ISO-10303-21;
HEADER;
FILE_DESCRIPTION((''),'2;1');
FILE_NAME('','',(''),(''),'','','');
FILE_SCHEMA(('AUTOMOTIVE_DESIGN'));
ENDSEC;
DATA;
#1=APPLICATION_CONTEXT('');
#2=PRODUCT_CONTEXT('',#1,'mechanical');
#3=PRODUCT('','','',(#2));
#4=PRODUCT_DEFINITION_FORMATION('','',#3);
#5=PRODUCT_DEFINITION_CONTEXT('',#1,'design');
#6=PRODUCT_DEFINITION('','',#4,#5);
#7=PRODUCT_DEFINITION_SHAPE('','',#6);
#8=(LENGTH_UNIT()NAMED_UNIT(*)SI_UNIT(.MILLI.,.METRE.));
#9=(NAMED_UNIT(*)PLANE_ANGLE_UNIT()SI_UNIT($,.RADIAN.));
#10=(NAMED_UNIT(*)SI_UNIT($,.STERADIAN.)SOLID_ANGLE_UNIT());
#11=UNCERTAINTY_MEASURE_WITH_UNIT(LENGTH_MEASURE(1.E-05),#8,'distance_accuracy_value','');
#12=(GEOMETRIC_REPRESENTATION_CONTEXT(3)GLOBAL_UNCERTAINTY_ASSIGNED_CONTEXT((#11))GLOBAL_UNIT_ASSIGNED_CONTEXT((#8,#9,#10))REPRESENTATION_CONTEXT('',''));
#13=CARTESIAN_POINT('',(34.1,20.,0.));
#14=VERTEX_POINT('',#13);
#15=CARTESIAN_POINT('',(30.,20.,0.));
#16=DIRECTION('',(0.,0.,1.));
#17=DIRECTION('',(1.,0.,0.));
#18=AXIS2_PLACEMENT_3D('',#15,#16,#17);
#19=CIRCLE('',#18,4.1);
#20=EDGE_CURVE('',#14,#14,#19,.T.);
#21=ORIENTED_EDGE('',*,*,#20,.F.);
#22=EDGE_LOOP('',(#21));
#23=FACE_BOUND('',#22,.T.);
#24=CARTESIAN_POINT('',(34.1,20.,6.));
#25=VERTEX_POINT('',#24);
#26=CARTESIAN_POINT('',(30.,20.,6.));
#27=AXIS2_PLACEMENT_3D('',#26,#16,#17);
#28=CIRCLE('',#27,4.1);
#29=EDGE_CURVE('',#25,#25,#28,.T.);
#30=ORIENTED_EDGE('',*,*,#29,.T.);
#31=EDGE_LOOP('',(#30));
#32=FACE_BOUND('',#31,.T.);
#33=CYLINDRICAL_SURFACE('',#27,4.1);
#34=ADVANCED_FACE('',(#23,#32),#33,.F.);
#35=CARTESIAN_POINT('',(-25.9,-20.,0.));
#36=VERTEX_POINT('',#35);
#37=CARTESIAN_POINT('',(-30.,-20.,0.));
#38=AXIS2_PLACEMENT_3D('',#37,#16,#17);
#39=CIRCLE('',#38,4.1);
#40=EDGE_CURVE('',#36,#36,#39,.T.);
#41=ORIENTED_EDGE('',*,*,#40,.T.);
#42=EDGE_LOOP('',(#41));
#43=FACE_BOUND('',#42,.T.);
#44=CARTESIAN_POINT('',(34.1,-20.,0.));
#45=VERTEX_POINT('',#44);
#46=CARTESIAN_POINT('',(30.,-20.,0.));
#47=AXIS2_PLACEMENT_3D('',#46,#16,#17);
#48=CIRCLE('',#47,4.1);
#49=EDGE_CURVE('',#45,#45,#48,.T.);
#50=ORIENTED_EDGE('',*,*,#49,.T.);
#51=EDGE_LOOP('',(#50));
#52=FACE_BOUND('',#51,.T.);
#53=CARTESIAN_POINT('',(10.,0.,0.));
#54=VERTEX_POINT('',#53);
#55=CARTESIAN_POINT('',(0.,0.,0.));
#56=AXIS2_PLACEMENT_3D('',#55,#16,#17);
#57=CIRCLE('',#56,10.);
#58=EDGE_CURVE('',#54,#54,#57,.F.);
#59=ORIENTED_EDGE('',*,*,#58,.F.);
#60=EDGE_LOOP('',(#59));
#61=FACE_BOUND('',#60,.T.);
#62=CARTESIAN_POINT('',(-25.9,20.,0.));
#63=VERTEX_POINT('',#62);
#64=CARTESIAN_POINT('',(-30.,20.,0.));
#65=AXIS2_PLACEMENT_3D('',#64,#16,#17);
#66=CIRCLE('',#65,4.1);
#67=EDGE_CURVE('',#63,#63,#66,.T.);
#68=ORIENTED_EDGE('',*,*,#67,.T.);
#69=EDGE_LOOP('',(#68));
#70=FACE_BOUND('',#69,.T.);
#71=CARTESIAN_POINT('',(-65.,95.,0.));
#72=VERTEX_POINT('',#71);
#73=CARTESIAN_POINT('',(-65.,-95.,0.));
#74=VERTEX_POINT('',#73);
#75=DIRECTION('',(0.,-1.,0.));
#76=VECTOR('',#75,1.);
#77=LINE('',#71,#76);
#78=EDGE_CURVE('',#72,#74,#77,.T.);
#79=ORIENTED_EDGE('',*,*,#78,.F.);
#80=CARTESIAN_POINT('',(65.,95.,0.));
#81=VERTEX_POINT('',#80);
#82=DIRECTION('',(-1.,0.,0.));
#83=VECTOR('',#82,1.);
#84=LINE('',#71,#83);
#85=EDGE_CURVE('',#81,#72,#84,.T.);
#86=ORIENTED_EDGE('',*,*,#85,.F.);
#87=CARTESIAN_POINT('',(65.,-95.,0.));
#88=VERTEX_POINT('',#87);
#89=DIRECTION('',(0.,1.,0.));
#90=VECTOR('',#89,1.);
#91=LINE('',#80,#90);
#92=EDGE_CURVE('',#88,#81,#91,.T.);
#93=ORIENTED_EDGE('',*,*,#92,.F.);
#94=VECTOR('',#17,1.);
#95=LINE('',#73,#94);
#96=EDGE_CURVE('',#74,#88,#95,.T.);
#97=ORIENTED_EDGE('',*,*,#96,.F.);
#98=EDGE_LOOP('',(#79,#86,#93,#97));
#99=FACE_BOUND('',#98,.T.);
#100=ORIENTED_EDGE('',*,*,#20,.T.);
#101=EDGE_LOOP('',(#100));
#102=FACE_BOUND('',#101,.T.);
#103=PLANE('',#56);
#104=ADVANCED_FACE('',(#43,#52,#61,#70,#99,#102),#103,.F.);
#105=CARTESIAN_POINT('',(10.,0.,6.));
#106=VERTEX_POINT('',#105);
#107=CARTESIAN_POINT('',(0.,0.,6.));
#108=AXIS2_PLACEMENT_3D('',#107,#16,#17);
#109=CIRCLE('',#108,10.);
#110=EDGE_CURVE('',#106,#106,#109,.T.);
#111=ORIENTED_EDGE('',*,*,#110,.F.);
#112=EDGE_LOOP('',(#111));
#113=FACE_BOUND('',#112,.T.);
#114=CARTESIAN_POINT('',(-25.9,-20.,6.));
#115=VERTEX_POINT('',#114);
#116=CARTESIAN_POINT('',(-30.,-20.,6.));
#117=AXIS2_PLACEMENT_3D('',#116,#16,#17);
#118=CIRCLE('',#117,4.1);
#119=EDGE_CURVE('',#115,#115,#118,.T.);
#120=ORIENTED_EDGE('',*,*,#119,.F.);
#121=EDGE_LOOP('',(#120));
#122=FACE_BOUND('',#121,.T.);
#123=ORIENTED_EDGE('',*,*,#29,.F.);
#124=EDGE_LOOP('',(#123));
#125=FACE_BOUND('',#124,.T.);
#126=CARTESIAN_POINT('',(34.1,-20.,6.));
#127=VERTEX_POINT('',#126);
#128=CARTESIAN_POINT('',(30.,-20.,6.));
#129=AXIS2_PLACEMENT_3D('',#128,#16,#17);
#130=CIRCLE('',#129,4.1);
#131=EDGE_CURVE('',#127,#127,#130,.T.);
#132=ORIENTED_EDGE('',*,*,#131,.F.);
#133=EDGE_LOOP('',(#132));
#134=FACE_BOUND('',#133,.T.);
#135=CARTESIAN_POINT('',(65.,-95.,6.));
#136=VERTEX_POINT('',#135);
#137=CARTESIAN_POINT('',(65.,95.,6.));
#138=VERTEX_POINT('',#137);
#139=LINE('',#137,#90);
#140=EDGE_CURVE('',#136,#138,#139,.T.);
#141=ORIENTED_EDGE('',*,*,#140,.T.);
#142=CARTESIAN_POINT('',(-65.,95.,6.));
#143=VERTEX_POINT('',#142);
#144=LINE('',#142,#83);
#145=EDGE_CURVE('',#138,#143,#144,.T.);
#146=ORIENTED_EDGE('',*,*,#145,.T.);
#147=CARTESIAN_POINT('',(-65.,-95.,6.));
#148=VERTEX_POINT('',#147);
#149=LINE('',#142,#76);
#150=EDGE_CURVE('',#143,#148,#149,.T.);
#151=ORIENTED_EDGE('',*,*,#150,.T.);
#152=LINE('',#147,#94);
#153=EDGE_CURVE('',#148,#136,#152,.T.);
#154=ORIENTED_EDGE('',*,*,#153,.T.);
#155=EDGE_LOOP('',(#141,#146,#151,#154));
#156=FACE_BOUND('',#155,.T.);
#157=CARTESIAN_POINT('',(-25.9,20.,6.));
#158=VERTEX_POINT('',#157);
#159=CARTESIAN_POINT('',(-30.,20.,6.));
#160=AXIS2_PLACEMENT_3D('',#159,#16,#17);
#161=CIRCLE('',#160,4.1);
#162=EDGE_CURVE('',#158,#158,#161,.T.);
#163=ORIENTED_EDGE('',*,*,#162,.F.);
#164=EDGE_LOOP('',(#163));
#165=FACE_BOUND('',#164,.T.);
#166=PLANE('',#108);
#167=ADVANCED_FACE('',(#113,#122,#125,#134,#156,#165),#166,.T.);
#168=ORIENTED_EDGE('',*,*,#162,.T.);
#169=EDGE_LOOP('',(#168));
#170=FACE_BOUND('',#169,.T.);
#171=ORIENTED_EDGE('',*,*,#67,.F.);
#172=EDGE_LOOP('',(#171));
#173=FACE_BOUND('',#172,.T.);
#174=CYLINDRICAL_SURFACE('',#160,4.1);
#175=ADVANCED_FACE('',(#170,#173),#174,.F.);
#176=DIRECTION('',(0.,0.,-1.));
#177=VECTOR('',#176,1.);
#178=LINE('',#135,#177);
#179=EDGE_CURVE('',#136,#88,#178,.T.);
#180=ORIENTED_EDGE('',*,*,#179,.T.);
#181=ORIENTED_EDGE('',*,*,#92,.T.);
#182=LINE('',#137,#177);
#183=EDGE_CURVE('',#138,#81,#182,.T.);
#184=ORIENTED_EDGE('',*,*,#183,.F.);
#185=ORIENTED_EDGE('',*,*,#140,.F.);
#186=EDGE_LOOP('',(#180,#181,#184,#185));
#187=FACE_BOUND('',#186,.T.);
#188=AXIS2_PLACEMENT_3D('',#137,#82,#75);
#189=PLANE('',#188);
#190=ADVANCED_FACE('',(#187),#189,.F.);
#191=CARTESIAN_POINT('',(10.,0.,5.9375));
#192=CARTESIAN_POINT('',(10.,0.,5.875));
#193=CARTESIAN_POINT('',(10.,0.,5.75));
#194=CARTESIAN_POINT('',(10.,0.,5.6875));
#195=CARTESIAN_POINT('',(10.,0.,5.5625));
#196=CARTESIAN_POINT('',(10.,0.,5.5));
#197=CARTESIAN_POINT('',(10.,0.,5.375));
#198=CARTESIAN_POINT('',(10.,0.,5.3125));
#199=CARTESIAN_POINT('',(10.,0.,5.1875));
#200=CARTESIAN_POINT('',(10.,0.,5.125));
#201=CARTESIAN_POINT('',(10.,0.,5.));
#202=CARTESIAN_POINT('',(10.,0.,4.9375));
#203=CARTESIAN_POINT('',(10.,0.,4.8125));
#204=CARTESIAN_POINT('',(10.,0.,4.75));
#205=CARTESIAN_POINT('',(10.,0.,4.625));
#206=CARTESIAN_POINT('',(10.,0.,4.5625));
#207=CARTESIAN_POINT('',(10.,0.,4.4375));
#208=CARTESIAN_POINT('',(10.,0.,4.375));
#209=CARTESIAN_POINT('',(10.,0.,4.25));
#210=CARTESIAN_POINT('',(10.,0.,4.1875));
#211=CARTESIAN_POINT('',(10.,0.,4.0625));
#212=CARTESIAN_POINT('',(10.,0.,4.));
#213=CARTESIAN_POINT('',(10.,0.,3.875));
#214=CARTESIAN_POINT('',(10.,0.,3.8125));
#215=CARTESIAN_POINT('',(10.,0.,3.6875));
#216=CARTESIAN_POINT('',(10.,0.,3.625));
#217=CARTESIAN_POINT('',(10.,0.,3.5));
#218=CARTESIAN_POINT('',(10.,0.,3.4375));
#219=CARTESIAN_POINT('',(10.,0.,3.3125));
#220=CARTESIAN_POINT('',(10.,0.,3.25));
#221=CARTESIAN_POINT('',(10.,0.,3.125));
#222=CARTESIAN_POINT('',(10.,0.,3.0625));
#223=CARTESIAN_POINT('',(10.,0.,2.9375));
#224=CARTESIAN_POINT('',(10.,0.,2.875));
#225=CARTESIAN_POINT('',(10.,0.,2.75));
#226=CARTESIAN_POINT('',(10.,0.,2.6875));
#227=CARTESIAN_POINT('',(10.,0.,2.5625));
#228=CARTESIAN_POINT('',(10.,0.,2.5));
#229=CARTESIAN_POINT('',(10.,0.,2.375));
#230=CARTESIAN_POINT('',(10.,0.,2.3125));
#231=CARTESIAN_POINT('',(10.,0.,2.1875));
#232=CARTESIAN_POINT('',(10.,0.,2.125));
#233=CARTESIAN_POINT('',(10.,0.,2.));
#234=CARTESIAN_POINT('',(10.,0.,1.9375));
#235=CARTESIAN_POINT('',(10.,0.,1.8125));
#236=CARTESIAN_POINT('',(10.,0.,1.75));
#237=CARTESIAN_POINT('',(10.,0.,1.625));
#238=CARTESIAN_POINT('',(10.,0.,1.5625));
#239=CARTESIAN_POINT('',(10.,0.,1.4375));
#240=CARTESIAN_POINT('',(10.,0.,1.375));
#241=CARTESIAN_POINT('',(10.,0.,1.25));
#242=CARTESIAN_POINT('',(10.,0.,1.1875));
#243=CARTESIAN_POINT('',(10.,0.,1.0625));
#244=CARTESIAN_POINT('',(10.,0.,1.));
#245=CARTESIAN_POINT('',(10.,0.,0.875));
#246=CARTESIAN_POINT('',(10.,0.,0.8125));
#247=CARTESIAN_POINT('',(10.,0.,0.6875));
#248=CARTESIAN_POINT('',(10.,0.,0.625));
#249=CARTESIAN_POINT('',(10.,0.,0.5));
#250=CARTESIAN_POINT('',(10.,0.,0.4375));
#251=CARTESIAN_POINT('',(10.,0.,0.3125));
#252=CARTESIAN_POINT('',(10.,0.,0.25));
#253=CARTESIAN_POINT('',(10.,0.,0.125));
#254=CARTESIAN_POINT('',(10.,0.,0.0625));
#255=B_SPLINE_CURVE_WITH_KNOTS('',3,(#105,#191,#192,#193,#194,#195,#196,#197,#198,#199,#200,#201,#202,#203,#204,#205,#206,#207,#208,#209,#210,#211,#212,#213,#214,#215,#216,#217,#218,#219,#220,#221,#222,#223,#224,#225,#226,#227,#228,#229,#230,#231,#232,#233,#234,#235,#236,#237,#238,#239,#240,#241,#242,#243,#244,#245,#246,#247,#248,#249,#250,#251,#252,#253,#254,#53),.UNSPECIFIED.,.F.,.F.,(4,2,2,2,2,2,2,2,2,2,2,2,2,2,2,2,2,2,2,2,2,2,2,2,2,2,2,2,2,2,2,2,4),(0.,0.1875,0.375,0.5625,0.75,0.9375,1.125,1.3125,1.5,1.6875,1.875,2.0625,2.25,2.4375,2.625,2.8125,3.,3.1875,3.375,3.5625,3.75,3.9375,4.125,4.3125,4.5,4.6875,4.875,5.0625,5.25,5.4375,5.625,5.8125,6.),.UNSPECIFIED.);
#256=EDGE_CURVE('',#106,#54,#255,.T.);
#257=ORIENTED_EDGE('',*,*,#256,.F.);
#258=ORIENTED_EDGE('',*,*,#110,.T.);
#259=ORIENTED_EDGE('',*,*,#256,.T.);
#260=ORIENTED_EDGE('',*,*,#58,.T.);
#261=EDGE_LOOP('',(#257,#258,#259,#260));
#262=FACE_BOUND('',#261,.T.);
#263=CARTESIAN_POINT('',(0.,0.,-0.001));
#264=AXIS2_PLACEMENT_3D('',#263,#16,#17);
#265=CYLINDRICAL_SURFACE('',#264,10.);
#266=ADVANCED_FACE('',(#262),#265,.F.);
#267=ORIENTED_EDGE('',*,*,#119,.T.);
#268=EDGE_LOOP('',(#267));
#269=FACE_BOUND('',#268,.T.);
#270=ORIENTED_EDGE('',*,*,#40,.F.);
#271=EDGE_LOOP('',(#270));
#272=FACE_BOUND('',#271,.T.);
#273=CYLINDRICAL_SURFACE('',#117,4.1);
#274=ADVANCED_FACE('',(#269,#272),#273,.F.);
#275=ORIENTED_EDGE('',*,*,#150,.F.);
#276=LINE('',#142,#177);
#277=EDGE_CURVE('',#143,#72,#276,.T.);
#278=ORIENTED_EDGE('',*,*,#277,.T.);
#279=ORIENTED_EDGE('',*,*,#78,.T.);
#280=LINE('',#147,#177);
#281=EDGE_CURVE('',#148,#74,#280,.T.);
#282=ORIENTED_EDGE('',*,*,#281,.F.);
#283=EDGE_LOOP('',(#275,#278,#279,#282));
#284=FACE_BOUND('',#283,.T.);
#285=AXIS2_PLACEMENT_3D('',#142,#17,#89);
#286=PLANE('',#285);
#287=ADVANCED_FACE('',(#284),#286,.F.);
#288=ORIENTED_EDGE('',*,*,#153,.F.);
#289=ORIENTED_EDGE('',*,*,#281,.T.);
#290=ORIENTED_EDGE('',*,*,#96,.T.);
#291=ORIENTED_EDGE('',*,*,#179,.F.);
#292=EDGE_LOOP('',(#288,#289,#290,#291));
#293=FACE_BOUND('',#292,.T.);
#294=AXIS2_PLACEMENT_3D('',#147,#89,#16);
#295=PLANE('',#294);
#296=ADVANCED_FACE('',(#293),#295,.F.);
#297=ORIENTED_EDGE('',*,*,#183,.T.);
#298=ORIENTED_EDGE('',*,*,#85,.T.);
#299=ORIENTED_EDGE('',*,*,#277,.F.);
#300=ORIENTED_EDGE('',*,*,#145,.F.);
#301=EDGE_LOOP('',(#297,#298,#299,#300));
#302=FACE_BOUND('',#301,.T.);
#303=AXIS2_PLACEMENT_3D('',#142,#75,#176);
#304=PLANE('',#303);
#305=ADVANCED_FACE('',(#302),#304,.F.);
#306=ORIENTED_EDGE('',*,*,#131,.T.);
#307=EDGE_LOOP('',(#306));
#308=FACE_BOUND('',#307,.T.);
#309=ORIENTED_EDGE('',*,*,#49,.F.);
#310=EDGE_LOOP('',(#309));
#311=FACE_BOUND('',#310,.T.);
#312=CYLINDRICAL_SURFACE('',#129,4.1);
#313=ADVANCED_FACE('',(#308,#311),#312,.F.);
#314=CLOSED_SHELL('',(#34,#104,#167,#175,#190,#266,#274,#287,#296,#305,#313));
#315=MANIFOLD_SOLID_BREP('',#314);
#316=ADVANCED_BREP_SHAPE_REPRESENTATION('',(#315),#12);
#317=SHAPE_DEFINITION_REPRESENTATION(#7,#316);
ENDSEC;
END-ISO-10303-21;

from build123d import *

# Parameters (mm, degrees)
SKETCH1_W                = 130
SKETCH1_H                = 190
BOSS_EXTRUDE1_DEPTH      = 6
CUT_EXTRUDE1_REACH       = 117.265
SKETCH2_R                = 10
M8_CLEARANCE_HOLE1_D     = 8.2
M8_CLEARANCE_HOLE1_DEPTH = 19.75
M8_CLEARANCE_HOLE1_TIP   = 2.463528538


with BuildPart() as part:
    # Sketch1 → Boss-Extrude1 (new body)
    with BuildSketch(Plane.XY):
        Rectangle(SKETCH1_W, SKETCH1_H)
    extrude(amount=BOSS_EXTRUDE1_DEPTH)

    # Sketch2 → Cut-Extrude1 (cut, up to next)
    with BuildSketch(Plane.XY.offset(6), mode=Mode.PRIVATE) as cut_extrude1_sk1:
        with Locations((-1.55e-07, 0)):
            Circle(SKETCH2_R)
    cut_extrude1_tool1 = extrude(cut_extrude1_sk1.sketch, amount=-CUT_EXTRUDE1_REACH, mode=Mode.PRIVATE) & part.part
    add(cut_extrude1_tool1.solids().sort_by_distance((0, 0, 6))[0], mode=Mode.SUBTRACT)

    # M8 Clearance Hole1
    with Locations(Plane(origin=(-30, 20, 6), x_dir=(1, 0, 0), z_dir=(0, 0, 1))):
        with Locations((0, 0), (60, 0), (60, -40), (0, -40)):
            Hole(M8_CLEARANCE_HOLE1_D / 2, depth=M8_CLEARANCE_HOLE1_DEPTH)
            with Locations((0, 0, -(M8_CLEARANCE_HOLE1_DEPTH + M8_CLEARANCE_HOLE1_TIP / 2))):  # 118° drill point
                Cone(0, M8_CLEARANCE_HOLE1_D / 2, M8_CLEARANCE_HOLE1_TIP, mode=Mode.SUBTRACT)


solid = part.part
